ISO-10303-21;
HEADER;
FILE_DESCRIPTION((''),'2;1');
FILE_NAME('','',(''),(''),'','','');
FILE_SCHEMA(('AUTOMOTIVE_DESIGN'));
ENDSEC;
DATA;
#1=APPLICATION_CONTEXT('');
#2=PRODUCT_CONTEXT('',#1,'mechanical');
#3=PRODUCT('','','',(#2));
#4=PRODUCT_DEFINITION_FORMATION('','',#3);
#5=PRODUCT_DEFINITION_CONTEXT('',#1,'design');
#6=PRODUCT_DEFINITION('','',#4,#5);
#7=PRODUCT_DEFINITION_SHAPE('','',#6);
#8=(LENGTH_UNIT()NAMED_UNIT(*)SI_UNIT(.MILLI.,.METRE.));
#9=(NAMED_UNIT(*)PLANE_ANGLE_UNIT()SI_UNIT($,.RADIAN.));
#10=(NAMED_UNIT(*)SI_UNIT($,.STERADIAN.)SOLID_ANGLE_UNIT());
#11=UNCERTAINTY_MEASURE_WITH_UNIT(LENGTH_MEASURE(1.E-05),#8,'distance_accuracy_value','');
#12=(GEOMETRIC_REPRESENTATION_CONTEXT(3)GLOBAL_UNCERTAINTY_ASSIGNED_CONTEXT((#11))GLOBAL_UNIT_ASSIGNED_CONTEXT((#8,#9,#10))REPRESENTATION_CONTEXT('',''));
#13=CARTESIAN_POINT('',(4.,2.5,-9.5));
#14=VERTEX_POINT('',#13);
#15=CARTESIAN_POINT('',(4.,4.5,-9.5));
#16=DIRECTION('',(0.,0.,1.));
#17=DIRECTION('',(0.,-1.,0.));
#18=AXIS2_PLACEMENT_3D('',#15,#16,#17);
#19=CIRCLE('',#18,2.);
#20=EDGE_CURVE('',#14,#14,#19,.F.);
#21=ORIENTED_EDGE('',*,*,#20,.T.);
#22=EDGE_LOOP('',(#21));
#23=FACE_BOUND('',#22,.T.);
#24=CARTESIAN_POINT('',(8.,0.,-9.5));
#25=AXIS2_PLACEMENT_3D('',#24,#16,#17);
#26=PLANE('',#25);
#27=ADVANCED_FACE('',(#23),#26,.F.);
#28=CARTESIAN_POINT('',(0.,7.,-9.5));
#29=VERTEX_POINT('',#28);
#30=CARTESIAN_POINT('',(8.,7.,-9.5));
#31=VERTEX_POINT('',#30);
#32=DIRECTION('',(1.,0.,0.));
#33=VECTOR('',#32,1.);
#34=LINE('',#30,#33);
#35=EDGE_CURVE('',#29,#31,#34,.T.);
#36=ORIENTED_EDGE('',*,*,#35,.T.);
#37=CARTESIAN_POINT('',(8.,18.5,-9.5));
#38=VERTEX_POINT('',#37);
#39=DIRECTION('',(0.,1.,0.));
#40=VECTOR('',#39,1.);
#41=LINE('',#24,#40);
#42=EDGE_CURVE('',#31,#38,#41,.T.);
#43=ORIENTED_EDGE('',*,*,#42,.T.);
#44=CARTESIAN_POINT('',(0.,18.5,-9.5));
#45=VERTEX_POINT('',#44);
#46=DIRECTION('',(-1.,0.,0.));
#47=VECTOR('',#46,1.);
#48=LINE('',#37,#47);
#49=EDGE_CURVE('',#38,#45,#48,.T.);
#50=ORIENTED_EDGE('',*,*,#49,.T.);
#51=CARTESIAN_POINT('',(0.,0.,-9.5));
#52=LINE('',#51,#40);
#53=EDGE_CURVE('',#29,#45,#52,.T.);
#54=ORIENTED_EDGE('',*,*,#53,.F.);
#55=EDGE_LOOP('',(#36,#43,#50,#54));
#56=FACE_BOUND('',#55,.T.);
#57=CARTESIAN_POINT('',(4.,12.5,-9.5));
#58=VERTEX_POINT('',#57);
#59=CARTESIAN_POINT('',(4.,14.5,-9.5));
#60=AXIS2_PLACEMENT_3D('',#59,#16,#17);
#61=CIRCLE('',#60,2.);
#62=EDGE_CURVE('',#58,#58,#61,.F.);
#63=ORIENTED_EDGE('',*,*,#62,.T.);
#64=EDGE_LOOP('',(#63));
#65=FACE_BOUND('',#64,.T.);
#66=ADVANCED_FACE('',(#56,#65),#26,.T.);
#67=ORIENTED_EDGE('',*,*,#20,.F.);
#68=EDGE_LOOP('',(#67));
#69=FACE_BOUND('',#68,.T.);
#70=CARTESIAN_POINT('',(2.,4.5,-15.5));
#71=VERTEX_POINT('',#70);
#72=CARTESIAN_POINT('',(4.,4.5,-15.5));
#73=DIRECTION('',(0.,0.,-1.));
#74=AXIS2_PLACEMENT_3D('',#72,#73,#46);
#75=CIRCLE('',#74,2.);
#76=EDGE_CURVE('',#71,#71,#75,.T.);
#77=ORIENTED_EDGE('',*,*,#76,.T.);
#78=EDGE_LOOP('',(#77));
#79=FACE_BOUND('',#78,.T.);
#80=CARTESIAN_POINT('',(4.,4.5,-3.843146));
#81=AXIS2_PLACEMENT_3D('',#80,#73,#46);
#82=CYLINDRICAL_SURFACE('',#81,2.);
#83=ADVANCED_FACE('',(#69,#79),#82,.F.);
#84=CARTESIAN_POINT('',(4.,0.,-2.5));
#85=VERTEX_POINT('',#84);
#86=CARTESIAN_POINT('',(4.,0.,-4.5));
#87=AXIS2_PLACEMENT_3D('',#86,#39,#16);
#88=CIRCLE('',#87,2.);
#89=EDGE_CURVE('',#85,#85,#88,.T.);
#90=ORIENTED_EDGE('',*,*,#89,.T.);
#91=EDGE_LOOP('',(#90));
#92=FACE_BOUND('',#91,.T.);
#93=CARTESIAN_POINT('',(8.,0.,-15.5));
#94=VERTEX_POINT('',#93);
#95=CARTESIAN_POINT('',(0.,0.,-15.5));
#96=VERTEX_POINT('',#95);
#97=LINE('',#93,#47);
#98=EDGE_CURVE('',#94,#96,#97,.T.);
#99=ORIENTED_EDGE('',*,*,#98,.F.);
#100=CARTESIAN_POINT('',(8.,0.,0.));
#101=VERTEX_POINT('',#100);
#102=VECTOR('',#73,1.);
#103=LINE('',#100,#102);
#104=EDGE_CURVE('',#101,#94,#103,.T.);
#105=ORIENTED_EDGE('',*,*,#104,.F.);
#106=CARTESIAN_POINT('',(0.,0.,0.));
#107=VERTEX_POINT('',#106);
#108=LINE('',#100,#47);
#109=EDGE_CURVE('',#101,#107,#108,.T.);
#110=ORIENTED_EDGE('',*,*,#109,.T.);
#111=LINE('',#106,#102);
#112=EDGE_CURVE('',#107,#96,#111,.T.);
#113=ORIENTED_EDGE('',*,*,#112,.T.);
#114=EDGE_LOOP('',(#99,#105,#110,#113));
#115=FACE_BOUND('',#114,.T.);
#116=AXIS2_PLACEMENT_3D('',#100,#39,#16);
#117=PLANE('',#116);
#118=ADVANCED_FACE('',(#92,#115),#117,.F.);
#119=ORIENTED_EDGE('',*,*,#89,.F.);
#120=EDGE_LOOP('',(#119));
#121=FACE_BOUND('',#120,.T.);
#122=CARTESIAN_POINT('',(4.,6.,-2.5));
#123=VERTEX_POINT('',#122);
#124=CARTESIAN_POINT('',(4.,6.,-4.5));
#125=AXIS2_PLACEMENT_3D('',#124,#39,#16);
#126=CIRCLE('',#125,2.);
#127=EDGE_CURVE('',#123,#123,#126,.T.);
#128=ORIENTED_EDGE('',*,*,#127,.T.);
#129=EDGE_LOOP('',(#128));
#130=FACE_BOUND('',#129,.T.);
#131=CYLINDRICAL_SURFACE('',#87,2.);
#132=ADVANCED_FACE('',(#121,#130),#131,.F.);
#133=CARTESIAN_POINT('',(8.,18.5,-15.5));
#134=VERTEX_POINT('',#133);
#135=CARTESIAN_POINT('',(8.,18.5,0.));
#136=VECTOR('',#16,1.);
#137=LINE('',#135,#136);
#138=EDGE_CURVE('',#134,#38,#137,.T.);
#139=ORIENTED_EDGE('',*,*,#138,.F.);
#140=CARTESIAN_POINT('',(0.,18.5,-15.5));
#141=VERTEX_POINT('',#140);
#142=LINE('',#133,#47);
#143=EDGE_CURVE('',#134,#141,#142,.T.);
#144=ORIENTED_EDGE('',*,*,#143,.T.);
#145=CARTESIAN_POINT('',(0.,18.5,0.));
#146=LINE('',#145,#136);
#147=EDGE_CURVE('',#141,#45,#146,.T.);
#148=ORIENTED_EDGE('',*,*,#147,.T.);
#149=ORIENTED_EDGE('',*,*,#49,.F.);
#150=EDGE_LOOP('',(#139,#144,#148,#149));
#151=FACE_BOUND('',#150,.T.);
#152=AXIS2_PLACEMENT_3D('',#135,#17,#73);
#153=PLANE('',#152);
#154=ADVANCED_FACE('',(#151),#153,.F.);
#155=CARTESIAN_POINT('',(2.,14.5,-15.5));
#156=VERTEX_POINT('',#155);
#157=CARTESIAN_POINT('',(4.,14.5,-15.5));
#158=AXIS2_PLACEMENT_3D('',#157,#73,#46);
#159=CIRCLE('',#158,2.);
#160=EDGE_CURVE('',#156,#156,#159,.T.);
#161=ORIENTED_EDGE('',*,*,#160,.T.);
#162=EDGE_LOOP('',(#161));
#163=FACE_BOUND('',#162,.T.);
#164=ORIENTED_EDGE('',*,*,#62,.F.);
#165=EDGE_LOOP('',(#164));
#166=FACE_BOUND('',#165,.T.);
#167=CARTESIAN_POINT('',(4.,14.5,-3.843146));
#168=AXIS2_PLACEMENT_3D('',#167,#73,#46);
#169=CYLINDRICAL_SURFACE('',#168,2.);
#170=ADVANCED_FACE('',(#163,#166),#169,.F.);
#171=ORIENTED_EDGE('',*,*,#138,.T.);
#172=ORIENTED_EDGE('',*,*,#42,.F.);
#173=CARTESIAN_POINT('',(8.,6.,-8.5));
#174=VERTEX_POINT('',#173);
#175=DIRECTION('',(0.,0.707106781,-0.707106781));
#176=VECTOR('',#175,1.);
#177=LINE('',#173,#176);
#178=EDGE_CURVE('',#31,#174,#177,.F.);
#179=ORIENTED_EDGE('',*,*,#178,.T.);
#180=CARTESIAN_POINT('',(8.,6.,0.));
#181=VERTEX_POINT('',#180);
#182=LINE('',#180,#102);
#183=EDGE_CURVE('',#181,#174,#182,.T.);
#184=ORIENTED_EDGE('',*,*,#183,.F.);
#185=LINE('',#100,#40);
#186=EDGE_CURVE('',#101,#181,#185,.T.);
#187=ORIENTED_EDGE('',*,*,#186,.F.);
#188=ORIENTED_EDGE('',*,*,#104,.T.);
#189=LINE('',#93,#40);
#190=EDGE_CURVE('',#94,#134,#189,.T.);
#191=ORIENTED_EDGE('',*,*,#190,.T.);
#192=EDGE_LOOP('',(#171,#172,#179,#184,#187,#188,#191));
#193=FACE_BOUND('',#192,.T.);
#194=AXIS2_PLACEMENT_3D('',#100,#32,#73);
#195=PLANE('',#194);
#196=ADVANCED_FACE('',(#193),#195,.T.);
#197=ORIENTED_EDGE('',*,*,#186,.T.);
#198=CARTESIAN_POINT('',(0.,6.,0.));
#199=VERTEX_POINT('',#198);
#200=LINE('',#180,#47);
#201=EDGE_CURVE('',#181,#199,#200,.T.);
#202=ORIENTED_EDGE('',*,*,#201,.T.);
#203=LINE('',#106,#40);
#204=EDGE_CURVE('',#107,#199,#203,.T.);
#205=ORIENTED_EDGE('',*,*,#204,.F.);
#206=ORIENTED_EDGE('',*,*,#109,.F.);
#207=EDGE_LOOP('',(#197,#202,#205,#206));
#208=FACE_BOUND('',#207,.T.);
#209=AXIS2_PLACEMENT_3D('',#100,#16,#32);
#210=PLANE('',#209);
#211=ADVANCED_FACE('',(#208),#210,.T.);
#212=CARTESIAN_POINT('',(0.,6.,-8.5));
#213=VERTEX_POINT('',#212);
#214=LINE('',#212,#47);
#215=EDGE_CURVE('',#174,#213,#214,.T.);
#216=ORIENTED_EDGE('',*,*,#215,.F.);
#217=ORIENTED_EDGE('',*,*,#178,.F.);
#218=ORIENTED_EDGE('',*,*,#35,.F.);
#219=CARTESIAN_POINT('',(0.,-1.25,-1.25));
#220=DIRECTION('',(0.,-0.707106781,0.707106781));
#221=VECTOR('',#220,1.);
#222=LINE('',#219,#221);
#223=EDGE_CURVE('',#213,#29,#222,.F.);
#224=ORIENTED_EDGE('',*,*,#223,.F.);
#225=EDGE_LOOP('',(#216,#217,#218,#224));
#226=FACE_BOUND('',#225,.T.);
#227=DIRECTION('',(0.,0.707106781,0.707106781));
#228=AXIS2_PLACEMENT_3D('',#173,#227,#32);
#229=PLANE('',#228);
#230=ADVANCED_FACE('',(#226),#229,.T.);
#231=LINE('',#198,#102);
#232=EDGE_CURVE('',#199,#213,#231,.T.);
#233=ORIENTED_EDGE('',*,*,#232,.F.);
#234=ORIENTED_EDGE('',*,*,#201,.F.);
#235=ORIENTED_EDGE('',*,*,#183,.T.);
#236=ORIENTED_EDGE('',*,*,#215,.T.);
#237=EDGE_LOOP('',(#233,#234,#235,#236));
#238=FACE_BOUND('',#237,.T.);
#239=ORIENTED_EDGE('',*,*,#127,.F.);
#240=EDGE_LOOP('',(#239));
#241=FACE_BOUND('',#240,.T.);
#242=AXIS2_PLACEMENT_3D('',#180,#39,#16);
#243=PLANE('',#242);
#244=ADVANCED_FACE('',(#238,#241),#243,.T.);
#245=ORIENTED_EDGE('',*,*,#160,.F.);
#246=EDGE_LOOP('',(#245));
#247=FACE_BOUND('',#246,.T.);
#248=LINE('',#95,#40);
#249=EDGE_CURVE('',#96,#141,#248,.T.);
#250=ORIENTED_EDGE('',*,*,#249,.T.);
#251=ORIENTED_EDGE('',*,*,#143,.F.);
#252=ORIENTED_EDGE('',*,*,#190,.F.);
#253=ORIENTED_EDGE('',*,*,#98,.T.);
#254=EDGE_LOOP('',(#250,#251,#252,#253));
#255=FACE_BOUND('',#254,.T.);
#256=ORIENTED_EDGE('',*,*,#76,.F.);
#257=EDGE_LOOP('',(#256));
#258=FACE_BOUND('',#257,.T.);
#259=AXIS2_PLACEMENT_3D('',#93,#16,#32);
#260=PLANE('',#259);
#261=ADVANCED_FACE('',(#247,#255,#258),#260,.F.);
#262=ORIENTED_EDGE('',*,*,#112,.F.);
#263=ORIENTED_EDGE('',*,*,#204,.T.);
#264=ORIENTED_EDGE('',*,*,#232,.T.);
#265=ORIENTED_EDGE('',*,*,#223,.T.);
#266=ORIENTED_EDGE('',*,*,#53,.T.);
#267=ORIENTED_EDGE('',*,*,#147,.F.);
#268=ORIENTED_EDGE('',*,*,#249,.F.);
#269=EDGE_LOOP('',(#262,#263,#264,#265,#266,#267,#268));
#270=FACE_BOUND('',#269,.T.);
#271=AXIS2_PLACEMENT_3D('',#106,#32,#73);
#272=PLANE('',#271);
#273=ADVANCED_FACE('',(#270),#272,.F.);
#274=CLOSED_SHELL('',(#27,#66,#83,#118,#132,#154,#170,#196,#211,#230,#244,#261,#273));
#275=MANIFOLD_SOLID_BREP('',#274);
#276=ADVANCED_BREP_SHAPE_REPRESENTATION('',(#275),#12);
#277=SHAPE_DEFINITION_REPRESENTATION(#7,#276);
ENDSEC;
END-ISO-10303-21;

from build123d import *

# Parameters (mm, degrees)
SKETCH1_W           = 6
SKETCH1_H           = 12.5
SKETCH1_W_2         = 15.5
SKETCH1_H_2         = 6
BOSS_EXTRUDE1_DEPTH = 8
CHAMFER1_SIZE       = 1
SKETCH2_R           = 2
CUT_EXTRUDE1_DEPTH  = 6
SKETCH3_R           = 2
CUT_EXTRUDE2_DEPTH  = 7


with BuildPart() as part:
    # Sketch1 → Boss-Extrude1 (new body)
    with BuildSketch(Plane(origin=(0, 0, 0), x_dir=(0, 0, -1), z_dir=(1, 0, 0))):
        with Locations((12.5, 12.25)):
            Rectangle(SKETCH1_W, SKETCH1_H)
        with Locations((7.75, 3)):
            Rectangle(SKETCH1_W_2, SKETCH1_H_2)
    extrude(amount=BOSS_EXTRUDE1_DEPTH)

    # Chamfer1
    chamfer1_edges = [part.edges().sort_by_distance(p)[0] for p in [
        (4, 6, -9.5),
    ]]
    chamfer(chamfer1_edges, length=CHAMFER1_SIZE)

    # Sketch2 → Cut-Extrude1 (cut)
    with BuildSketch(Plane(origin=(0, 0, -15.5), x_dir=(-1, 0, 0), z_dir=(0, 0, -1))):
        with Locations((-4, 14.5)):
            Circle(SKETCH2_R)
        with Locations((-4, 4.5)):
            Circle(SKETCH2_R)
    extrude(amount=-CUT_EXTRUDE1_DEPTH, mode=Mode.SUBTRACT)

    # Sketch3 → Cut-Extrude2 (cut, through all)
    with BuildSketch(Plane(origin=(0, 6, 0), x_dir=(1, 0, 0), z_dir=(0, 1, 0))):
        with Locations((4, 4.5)):
            Circle(SKETCH3_R)
    extrude(amount=-CUT_EXTRUDE2_DEPTH, mode=Mode.SUBTRACT)


solid = part.part
